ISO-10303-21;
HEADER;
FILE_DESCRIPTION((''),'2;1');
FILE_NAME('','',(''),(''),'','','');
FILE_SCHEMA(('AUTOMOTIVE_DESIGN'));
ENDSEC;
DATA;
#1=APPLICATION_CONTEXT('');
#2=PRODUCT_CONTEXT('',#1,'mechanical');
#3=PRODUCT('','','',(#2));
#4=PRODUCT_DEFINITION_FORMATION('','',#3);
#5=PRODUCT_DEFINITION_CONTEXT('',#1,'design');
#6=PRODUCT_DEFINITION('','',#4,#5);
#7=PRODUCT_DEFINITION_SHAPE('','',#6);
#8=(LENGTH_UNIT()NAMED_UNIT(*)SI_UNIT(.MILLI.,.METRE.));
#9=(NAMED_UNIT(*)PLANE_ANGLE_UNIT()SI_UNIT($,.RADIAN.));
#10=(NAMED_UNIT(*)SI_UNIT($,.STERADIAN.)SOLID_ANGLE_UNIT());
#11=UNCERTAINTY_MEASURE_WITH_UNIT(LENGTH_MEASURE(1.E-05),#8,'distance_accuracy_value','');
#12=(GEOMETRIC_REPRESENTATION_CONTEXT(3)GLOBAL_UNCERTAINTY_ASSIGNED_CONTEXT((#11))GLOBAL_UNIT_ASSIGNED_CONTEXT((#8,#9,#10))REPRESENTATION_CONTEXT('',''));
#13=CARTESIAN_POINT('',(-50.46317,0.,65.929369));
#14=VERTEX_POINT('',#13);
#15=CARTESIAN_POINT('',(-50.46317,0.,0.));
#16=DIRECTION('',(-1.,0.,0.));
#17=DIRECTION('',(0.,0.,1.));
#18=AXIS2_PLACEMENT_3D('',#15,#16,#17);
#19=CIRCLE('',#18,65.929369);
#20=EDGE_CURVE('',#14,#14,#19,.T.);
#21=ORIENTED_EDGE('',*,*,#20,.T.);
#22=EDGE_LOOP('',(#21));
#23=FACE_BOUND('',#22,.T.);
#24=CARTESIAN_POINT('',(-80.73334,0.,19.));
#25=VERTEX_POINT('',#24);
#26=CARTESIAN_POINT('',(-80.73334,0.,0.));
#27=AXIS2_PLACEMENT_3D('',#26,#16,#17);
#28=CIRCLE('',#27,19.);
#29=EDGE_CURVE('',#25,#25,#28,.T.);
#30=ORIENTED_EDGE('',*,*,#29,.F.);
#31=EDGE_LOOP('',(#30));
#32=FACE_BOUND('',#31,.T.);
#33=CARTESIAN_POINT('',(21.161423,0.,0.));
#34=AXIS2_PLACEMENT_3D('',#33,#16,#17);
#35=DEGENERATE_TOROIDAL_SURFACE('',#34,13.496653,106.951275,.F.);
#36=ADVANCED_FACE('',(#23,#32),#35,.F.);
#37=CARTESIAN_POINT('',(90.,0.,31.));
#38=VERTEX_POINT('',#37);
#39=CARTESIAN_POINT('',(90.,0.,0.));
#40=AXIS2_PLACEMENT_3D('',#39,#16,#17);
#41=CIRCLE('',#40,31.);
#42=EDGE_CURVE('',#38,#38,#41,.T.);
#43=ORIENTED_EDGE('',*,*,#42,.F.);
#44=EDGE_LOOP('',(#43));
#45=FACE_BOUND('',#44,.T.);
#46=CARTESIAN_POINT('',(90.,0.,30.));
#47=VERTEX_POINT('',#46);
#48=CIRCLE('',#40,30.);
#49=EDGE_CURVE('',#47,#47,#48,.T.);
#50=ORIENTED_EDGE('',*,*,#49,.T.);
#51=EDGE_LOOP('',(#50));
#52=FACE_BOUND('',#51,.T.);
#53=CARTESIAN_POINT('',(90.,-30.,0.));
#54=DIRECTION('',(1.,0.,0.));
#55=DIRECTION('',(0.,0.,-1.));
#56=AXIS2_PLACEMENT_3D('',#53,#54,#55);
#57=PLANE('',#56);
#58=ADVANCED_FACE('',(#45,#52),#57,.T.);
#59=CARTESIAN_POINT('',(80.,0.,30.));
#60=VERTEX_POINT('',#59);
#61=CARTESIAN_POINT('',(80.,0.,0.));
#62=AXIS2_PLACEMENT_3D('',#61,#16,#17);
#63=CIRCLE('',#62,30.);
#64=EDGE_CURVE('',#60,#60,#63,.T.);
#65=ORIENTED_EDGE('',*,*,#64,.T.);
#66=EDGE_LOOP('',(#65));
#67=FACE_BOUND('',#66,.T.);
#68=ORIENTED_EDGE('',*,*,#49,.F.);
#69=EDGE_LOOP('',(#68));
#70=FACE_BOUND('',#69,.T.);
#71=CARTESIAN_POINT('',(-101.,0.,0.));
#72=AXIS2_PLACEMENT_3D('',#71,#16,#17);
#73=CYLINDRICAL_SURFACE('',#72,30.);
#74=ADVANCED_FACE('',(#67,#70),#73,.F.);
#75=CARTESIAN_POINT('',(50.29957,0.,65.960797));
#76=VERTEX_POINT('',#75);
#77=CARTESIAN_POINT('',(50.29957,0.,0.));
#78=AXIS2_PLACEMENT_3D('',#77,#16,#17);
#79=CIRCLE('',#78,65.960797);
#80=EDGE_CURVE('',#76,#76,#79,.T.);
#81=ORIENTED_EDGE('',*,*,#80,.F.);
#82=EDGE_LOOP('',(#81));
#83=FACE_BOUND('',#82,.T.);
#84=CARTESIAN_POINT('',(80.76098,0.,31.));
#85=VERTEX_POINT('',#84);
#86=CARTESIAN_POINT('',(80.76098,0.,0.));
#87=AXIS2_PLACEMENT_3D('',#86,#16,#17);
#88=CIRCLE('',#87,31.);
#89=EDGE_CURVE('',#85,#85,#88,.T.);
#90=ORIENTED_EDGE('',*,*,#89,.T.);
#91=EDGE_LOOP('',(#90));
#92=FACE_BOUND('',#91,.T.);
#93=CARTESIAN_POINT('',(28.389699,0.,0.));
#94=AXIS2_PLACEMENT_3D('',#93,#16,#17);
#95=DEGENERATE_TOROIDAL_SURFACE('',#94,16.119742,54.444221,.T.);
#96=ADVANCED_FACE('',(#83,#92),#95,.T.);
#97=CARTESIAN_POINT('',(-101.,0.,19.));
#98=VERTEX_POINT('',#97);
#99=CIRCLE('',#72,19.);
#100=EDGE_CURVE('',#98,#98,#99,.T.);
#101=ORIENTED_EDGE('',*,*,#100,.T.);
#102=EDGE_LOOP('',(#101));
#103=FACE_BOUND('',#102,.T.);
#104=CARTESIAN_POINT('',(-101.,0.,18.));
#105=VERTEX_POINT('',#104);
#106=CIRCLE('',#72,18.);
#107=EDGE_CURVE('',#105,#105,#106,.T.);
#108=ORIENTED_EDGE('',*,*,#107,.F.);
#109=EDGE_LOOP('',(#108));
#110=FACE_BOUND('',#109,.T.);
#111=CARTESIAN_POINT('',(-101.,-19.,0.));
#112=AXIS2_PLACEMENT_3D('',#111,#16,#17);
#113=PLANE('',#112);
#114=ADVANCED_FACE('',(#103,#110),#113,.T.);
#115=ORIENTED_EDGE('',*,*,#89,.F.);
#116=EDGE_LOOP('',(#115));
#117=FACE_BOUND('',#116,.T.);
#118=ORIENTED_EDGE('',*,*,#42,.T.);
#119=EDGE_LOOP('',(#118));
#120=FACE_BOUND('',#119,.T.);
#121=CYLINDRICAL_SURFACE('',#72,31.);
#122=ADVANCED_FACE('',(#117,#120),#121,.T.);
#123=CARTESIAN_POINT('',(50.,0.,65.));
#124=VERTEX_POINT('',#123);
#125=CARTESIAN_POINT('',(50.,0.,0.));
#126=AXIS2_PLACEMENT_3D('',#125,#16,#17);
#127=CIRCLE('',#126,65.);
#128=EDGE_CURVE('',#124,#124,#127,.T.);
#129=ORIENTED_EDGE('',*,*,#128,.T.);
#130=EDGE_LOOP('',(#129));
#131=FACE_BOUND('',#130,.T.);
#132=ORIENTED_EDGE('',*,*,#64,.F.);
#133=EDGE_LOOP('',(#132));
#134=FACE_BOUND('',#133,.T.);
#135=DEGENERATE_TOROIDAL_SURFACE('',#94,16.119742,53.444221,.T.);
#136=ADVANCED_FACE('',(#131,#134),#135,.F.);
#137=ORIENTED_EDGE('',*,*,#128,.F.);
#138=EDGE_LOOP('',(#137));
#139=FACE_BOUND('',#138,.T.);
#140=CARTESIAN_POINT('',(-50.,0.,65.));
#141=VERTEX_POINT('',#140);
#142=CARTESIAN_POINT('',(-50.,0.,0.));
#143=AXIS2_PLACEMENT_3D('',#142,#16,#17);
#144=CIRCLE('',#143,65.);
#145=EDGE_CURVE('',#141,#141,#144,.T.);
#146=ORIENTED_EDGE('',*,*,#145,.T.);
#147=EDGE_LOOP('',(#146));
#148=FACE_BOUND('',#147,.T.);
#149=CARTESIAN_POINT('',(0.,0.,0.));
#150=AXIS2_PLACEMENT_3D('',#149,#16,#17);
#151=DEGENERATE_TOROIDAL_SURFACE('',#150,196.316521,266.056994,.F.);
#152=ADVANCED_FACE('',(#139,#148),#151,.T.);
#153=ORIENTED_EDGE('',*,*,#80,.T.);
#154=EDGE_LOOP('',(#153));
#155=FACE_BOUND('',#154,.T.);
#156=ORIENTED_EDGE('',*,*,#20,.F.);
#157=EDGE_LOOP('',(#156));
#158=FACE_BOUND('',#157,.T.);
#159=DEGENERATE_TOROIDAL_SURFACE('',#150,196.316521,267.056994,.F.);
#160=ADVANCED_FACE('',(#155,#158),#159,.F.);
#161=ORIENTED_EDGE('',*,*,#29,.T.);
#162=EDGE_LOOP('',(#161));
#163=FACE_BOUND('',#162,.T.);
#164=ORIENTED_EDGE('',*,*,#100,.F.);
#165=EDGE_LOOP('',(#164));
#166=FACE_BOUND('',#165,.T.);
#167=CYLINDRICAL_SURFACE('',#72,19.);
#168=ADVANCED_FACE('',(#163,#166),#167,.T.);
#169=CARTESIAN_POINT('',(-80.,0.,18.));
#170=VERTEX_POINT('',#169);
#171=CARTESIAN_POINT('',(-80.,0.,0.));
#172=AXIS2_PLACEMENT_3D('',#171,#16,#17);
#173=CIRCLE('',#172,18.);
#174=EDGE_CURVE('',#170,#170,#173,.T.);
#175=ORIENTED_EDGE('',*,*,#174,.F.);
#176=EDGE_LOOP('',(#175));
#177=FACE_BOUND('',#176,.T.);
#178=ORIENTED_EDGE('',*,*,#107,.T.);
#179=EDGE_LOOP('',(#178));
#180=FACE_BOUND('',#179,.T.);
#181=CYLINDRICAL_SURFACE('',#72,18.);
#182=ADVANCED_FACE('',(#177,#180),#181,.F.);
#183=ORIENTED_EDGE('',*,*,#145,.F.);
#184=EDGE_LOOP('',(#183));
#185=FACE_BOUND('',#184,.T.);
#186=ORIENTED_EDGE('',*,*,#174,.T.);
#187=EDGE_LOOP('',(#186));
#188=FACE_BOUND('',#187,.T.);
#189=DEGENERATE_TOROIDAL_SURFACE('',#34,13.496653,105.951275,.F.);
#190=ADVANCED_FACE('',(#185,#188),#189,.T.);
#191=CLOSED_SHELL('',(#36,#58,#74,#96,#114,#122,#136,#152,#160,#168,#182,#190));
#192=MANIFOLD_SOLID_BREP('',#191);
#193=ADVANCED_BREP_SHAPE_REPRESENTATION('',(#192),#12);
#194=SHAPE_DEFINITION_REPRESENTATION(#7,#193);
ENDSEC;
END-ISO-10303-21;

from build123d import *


with BuildPart() as part:
    # Sketch1 → Revolve12 (revolve)
    with BuildSketch(Plane.XY, mode=Mode.PRIVATE) as revolve12_sk:
        with BuildLine():
            Line((90, -30), (90, -31))
            Line((90, -31), (80.7609802, -31))
            ThreePointArc((80.7609802, -31), (69.438288543, -51.885458343), (50.299569576, -65.960796808))
            ThreePointArc((50.299569576, -65.960796808), (-0.0832958, -70.740460189), (-50.463169793, -65.929368635))
            ThreePointArc((-50.463169793, -65.929368635), (-68.715343335, -44.475254652), (-80.7333401, -19))
            Line((-80.7333401, -19), (-101, -19))
            Line((-101, -19), (-101, -18))
            Line((-101, -18), (-80, -18))
            ThreePointArc((-80, -18), (-68.14725974, -43.508889196), (-50, -65))
            ThreePointArc((-50, -65), (0, -69.740473179), (50, -65))
            ThreePointArc((50, -65), (68.967576435, -50.900779801), (80, -30))
            Line((80, -30), (90, -30))
        make_face()
    revolve(revolve12_sk.sketch.rotate(Axis((-101, 0, 0), (1, 0, 0)), 270), axis=Axis((-101, 0, 0), (1, 0, 0)))


solid = part.part
